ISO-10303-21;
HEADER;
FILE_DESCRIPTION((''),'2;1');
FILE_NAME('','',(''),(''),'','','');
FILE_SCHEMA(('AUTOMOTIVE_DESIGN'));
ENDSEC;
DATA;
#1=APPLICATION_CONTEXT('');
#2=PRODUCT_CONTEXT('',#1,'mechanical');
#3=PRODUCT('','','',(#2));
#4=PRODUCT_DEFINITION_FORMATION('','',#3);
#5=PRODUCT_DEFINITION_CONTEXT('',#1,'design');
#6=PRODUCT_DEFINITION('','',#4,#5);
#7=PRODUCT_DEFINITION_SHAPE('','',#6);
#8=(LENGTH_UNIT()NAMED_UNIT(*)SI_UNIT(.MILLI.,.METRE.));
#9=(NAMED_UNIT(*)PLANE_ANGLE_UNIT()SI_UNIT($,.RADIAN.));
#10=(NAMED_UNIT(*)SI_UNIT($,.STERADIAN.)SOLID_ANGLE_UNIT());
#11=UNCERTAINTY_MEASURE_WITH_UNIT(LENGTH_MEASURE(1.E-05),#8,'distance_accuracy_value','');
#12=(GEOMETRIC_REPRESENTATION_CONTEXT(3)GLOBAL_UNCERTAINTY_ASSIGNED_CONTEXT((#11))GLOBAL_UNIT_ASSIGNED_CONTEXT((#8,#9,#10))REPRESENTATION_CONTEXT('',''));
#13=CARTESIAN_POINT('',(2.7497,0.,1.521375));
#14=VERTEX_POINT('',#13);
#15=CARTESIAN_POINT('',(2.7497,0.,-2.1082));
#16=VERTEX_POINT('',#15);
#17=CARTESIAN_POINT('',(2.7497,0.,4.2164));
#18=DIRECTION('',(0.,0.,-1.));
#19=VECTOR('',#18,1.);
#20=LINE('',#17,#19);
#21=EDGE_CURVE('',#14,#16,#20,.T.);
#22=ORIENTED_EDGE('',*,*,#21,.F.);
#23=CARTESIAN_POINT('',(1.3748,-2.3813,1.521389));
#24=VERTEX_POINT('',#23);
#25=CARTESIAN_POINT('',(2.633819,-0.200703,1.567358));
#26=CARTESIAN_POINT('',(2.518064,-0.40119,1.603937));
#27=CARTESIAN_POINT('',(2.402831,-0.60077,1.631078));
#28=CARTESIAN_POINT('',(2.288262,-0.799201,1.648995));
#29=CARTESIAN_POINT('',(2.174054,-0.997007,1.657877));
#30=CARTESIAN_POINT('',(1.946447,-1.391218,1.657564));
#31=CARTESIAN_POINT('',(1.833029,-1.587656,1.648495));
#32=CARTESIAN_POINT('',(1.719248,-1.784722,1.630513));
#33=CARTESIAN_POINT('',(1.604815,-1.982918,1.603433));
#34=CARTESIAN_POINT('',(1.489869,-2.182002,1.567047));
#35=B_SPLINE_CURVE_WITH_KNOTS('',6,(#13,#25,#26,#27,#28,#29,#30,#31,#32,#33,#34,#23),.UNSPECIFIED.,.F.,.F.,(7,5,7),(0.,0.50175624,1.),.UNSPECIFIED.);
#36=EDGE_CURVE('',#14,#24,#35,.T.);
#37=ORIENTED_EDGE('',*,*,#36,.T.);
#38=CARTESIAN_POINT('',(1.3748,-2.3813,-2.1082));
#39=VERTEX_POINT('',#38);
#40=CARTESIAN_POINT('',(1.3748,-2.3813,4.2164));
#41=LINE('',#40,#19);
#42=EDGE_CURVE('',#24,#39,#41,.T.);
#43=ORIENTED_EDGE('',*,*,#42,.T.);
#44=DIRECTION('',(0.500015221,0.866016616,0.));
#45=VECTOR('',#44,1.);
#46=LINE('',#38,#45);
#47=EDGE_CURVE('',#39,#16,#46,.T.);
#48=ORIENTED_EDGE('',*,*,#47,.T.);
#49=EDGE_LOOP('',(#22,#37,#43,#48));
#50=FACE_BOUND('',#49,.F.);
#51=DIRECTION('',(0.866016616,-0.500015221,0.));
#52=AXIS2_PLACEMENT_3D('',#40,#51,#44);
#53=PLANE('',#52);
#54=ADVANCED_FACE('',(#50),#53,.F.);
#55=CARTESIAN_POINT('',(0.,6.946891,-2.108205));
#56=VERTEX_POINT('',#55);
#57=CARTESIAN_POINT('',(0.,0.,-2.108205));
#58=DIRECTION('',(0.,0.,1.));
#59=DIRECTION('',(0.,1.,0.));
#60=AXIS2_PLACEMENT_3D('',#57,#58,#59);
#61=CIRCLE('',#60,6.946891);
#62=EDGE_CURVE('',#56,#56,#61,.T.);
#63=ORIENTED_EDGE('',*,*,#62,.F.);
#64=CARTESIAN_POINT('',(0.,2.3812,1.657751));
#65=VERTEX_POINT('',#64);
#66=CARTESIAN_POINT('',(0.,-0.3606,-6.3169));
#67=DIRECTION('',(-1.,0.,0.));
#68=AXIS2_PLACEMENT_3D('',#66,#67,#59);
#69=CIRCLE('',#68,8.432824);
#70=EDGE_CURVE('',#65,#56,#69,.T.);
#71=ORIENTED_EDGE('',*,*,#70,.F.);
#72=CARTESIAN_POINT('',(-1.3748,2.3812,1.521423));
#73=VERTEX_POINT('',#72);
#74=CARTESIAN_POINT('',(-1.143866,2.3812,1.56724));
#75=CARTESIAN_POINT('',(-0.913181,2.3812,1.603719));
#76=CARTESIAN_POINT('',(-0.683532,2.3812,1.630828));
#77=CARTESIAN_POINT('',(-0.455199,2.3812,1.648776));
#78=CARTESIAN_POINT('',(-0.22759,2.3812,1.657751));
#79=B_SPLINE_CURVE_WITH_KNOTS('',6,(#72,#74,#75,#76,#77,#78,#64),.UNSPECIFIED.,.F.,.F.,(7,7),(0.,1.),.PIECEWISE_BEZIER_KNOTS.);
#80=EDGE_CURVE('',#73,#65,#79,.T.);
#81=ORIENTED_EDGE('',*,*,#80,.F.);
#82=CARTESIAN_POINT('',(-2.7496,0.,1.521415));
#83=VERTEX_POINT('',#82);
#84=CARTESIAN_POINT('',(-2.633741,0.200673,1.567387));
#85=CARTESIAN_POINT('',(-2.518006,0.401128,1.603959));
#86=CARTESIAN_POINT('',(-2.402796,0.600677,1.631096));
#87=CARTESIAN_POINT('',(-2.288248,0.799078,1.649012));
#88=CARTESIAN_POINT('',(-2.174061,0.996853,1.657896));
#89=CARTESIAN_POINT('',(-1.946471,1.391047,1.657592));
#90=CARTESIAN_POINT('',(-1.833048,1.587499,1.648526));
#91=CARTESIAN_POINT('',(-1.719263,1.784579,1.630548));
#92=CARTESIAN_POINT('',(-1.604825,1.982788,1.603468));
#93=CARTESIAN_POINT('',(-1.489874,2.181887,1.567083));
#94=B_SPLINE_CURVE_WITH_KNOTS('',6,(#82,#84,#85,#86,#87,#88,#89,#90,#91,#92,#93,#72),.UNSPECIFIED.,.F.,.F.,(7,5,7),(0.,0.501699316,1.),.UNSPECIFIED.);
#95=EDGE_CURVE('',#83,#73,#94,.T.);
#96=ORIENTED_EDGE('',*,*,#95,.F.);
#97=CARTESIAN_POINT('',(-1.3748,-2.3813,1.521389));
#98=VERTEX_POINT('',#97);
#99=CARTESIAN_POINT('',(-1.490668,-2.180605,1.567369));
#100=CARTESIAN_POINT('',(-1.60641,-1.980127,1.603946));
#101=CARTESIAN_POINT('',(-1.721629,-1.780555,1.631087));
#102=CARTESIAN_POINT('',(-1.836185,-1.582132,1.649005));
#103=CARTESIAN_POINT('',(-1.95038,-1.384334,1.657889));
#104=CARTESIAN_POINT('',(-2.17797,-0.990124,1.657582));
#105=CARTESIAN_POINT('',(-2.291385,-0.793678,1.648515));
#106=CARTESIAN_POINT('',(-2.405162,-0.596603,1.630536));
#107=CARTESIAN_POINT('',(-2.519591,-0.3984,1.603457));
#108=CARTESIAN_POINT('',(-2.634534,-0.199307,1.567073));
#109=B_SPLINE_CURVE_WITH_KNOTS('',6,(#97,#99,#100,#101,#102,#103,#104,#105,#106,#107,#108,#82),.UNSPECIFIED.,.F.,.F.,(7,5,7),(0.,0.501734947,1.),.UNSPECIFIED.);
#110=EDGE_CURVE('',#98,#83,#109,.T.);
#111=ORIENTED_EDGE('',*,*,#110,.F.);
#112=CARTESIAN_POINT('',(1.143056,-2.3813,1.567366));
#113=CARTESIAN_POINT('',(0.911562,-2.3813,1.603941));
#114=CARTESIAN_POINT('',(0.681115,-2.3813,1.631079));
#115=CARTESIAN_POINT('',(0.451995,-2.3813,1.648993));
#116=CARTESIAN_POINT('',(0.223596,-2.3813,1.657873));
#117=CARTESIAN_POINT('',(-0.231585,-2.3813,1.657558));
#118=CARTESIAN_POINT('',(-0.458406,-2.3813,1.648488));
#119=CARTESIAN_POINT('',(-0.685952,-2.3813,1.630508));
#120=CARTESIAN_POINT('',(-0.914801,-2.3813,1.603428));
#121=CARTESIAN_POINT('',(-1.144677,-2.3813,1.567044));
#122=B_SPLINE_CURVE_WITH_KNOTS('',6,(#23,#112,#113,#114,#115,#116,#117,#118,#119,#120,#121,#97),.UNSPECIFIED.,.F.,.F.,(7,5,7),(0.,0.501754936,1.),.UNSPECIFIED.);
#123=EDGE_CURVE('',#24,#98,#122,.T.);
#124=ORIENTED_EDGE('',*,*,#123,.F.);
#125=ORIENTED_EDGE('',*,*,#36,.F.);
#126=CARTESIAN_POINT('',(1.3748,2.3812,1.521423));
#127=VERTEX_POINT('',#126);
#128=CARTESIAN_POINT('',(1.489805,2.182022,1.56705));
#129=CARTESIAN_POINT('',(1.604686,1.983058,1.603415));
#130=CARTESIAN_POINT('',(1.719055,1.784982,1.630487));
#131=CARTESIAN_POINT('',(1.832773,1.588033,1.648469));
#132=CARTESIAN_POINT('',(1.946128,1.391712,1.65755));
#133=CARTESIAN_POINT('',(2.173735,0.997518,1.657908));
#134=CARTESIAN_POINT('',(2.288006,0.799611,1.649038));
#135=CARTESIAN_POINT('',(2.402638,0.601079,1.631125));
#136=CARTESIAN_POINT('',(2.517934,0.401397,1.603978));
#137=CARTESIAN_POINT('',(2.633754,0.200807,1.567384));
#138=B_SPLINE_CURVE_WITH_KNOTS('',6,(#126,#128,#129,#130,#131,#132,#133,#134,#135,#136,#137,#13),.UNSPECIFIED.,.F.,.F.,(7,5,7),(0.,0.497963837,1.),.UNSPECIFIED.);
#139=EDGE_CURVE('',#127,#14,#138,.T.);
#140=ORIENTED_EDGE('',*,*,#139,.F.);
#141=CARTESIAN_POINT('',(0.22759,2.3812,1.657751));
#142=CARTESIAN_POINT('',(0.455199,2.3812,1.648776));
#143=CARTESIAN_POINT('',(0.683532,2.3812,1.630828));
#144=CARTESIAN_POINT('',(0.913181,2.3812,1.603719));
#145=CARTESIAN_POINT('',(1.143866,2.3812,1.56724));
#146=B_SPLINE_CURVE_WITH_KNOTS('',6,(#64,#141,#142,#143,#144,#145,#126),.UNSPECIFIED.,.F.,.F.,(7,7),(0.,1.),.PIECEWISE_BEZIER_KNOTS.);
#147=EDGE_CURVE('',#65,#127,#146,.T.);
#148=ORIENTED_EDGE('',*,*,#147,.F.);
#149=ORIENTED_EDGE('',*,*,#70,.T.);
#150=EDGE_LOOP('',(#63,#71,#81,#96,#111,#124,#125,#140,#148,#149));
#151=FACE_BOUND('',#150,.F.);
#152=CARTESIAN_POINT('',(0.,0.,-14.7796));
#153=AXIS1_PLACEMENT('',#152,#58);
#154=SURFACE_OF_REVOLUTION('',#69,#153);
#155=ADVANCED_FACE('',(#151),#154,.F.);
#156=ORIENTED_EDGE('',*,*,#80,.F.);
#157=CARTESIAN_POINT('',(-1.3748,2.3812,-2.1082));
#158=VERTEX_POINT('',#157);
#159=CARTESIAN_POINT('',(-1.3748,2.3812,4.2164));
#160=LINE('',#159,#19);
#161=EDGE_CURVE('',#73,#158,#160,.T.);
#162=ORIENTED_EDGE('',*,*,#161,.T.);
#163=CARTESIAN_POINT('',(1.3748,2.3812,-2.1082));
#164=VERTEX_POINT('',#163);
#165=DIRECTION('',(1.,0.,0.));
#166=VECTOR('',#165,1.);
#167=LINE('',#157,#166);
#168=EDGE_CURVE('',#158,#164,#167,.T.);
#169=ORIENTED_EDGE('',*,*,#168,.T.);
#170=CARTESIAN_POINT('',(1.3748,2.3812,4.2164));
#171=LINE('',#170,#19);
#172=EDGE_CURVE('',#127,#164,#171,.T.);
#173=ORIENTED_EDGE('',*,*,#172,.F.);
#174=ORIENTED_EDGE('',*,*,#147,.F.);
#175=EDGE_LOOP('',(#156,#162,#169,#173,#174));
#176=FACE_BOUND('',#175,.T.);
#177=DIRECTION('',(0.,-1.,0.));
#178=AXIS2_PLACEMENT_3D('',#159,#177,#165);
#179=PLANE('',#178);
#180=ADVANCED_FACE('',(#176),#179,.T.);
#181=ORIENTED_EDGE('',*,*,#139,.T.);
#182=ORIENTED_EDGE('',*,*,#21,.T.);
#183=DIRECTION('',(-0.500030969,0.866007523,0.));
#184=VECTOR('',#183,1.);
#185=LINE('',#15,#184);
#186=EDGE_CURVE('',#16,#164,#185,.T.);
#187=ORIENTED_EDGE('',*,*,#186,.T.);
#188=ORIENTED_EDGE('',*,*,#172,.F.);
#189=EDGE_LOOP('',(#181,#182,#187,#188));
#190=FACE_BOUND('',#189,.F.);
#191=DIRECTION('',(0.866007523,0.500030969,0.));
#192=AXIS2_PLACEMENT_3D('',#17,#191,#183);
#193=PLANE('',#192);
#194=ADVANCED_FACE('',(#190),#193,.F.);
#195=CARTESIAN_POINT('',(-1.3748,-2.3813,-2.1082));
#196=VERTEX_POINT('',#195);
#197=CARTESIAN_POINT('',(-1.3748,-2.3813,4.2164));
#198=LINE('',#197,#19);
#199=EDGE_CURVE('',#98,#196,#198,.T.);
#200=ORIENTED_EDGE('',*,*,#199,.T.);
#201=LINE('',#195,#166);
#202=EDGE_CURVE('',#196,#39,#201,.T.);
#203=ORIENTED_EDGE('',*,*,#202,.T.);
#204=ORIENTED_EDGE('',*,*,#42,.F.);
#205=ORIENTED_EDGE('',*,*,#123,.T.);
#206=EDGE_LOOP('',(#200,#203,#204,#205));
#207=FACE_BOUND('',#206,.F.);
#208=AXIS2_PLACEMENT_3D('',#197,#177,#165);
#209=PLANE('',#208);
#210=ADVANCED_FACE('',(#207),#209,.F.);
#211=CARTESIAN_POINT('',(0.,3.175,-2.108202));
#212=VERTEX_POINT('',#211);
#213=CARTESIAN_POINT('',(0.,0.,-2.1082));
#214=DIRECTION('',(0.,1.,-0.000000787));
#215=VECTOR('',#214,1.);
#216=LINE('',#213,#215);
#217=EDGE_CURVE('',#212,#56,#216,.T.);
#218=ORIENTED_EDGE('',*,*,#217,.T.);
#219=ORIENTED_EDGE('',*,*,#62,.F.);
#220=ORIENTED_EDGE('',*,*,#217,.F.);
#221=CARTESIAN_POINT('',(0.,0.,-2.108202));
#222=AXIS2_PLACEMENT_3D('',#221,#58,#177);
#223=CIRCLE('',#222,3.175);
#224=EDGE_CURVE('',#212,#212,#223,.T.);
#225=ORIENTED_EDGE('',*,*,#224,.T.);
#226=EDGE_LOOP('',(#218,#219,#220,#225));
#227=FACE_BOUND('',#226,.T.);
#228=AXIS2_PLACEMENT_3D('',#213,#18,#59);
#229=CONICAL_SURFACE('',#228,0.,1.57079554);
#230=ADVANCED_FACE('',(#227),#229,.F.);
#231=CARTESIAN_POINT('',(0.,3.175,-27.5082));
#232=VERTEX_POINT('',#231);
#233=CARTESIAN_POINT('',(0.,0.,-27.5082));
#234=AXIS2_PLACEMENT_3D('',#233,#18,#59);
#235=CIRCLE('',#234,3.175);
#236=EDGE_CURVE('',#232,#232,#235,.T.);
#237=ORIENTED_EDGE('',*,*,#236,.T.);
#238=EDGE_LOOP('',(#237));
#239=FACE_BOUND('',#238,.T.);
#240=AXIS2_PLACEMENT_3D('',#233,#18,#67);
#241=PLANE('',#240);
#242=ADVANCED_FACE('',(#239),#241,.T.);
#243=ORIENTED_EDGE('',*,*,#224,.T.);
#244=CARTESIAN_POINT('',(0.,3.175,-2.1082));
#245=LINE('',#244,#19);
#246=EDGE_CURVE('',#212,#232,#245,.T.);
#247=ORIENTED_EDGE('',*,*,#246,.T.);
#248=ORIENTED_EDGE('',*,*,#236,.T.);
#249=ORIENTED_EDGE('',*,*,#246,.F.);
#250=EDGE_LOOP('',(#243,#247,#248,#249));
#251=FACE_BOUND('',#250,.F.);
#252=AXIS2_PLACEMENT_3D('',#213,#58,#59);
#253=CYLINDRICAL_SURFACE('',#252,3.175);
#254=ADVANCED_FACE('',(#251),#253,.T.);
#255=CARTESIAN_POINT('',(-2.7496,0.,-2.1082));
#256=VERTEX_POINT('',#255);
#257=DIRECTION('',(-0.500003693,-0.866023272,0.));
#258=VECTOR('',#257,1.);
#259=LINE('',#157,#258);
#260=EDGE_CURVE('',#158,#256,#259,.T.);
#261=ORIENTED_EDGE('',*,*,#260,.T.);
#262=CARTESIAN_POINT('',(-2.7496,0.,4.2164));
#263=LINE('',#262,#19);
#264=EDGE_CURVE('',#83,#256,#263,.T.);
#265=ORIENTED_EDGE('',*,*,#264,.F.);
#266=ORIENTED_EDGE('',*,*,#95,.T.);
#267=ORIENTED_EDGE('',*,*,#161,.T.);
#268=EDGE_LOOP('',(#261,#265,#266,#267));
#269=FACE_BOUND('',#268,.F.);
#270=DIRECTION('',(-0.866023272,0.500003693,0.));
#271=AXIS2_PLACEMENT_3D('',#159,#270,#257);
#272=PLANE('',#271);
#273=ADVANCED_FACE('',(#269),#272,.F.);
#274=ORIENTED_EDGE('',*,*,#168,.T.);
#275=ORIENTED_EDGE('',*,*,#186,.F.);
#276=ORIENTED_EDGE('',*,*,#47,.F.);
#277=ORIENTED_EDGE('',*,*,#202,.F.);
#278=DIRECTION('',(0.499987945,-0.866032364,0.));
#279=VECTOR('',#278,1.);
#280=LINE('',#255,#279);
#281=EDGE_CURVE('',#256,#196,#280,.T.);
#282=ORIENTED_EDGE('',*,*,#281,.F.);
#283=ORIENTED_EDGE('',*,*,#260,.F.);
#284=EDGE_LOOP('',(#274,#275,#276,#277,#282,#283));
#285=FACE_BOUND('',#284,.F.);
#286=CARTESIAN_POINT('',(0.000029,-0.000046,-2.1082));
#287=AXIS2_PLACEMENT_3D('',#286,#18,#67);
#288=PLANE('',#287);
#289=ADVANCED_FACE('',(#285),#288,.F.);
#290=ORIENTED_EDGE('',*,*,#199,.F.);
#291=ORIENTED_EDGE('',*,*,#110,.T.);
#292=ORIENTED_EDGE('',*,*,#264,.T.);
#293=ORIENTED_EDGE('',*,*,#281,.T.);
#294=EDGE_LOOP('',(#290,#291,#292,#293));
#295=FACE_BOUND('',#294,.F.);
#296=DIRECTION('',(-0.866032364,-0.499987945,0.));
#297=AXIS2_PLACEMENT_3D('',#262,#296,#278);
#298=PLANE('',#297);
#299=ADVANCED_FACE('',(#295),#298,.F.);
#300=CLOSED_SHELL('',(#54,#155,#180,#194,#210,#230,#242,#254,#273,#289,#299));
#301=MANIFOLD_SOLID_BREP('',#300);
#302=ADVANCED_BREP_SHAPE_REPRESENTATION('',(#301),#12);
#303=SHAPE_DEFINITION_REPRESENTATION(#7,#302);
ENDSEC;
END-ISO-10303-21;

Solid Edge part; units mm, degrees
sketch "Sketch1" plane through (0, 0, 0) normal (1, 0, 0) x (0, 1, 0)
  line L0 (0, -2.1082) -> (0, 2.1082)
  arc A0 (0, 2.1082) -> (6.9469, -2.1082) centre (-0.3606, -6.3169) cw
  line L1 (0, -2.1082) -> (6.9469, -2.1082)
  dimension "D1" = 4.2164
  dimension "D2" = 8.4328
revolve "RevolvedProtrusion1" add sketch "Sketch1" angle 360 about axis through (0, 0, -14.7796) along (0, 0, 1)
sketch "Sketch2" plane through (0, 0, -2.1082) normal (0, 0, -1) x (0, 1, 0)
  circle A0 centre (0, 0) radius 3.175
  dimension "D1" = 6.35
extrude "Protrusion1" add sketch "Sketch2" along normal blind 25.4
sketch "Sketch3" plane through (-0.6032, 0.3606, 4.2164) normal (0, 0, 1) x (1, 0, 0)
  line L0 (-0.7716, 2.0206) -> (1.978, 2.0206)
  line L1 (3.3529, -0.3606) -> (1.978, 2.0206)
  line L2 (1.978, -2.7419) -> (3.3529, -0.3606)
  line L3 (-0.7716, -2.7419) -> (1.978, -2.7419)
  line L4 (-2.1464, -0.3606) -> (-0.7716, -2.7419)
  line L5 (-0.7716, 2.0206) -> (-2.1464, -0.3606)
extrude "ExtrudedCutout_11" cut sketch "Sketch3" against normal blind 6.3246
cosmetic_thread "Thread_1" size "1/4-20 UNC" thread depth 23.8252
properties part number "218623"
